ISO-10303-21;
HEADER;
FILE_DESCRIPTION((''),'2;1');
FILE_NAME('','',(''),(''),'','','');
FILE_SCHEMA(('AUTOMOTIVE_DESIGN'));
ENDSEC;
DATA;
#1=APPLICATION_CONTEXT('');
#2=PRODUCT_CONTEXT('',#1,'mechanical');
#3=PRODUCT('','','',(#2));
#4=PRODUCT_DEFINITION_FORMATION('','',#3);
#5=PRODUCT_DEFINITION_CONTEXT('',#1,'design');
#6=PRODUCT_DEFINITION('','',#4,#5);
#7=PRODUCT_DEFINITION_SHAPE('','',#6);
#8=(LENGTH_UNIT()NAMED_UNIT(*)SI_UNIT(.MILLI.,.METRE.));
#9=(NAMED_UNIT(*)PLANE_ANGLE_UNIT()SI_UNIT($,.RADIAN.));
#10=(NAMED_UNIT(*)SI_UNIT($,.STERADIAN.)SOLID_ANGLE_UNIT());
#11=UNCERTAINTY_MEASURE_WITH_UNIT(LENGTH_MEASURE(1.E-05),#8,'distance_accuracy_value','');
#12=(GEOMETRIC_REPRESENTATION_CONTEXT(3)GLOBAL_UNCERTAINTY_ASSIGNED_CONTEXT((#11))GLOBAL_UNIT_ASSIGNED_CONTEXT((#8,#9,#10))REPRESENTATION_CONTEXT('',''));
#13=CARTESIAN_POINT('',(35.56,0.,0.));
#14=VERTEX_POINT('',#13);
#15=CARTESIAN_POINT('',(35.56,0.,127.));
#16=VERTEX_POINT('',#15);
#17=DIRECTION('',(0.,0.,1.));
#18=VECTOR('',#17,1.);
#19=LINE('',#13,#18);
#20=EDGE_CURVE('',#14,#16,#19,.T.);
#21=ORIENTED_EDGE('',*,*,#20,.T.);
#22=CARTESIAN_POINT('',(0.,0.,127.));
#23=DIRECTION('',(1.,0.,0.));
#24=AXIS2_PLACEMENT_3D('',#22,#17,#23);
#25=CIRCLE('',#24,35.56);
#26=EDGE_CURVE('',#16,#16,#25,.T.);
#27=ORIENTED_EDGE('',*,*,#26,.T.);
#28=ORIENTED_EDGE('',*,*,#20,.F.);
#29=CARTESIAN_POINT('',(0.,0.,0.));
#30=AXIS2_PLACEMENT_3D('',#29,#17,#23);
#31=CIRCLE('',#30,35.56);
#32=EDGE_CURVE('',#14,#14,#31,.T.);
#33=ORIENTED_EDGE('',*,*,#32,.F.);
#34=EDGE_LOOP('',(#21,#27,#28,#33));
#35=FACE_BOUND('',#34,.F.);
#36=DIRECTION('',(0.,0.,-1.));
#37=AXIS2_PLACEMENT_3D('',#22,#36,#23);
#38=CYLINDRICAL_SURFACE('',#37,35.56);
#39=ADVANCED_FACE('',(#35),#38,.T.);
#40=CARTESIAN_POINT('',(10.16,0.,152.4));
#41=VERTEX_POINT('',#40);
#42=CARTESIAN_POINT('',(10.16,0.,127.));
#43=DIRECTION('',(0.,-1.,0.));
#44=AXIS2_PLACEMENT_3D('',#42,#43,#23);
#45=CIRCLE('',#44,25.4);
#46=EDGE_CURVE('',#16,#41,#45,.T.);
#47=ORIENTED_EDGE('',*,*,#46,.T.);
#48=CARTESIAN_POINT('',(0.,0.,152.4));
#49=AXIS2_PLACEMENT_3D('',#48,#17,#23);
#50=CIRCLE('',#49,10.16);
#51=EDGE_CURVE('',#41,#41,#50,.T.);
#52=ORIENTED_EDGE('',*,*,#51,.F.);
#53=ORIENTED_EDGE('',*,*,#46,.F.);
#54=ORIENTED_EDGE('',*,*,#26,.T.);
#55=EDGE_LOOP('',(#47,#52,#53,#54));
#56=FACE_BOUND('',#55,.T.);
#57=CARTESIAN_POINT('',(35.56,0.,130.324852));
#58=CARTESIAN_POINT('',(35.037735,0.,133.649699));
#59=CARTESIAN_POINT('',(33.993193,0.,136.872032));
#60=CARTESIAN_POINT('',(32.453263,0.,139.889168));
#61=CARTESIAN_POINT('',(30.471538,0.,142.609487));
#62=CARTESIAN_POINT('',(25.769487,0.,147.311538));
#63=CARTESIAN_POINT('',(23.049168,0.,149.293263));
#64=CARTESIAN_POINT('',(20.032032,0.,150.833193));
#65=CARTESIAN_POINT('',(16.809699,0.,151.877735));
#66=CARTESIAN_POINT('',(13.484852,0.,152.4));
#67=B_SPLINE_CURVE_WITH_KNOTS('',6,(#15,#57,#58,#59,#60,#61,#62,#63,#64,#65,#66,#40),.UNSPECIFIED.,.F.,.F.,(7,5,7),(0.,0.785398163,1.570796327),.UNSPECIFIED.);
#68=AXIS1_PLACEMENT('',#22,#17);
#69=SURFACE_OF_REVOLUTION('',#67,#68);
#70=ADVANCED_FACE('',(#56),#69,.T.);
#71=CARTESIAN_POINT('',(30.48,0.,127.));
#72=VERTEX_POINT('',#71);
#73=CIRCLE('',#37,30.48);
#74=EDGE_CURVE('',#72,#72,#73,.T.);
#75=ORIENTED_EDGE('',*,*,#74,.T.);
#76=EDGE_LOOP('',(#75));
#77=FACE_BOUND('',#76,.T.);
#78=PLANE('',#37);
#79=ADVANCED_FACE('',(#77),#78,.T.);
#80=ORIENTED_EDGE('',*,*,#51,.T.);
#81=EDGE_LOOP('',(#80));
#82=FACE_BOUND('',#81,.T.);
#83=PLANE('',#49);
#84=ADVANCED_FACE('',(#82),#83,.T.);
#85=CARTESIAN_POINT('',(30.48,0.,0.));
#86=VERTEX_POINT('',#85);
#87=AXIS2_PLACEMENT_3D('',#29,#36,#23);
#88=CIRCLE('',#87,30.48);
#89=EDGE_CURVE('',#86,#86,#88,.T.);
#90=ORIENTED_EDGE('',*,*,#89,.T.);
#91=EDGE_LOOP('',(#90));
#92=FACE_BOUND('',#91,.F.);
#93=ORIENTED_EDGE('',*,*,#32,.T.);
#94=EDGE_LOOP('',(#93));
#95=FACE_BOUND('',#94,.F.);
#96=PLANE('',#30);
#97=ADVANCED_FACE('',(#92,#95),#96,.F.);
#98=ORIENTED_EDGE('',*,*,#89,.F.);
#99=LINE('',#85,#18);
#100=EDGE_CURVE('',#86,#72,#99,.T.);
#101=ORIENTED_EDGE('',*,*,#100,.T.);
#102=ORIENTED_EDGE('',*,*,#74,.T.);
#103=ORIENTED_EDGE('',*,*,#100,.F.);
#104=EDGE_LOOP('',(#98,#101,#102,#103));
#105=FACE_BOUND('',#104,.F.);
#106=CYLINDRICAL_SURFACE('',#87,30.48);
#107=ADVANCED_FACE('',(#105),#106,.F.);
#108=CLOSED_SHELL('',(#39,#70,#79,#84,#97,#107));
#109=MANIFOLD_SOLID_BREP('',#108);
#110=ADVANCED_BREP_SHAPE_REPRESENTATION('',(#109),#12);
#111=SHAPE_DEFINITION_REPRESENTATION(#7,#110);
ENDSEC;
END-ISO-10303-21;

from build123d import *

# Parameters (mm, degrees)
F0_R     = 35.56
F1_DEPTH = 127
F2_DEPTH = 25.4
F3_R     = 25.4
F4_R     = 30.48
F5_DEPTH = 127


with BuildPart() as f1:
    # F0 (on Top) → F1 (new body)
    with BuildSketch(Plane.XY):
        Circle(F0_R)
    extrude(amount=F1_DEPTH)

    # F2 (add): a face of the model
    f2_faces = [f1.faces().sort_by_distance(p)[0] for p in [
        (0, 0, 127),
    ]]
    extrude(f2_faces, amount=F2_DEPTH)

    # F3
    f3_edges = [f1.edges().sort_by_distance(p)[0] for p in [
        (-35.56, 0, 152.4),
    ]]
    fillet(f3_edges, radius=F3_R)

    # F4 (on face) → F5 (cut)
    with BuildSketch(Plane(origin=(0, 0, 0), x_dir=(1, 0, 0), z_dir=(0, 0, -1))):
        Circle(F4_R)
    extrude(amount=-F5_DEPTH, mode=Mode.SUBTRACT)


solid = f1.part
